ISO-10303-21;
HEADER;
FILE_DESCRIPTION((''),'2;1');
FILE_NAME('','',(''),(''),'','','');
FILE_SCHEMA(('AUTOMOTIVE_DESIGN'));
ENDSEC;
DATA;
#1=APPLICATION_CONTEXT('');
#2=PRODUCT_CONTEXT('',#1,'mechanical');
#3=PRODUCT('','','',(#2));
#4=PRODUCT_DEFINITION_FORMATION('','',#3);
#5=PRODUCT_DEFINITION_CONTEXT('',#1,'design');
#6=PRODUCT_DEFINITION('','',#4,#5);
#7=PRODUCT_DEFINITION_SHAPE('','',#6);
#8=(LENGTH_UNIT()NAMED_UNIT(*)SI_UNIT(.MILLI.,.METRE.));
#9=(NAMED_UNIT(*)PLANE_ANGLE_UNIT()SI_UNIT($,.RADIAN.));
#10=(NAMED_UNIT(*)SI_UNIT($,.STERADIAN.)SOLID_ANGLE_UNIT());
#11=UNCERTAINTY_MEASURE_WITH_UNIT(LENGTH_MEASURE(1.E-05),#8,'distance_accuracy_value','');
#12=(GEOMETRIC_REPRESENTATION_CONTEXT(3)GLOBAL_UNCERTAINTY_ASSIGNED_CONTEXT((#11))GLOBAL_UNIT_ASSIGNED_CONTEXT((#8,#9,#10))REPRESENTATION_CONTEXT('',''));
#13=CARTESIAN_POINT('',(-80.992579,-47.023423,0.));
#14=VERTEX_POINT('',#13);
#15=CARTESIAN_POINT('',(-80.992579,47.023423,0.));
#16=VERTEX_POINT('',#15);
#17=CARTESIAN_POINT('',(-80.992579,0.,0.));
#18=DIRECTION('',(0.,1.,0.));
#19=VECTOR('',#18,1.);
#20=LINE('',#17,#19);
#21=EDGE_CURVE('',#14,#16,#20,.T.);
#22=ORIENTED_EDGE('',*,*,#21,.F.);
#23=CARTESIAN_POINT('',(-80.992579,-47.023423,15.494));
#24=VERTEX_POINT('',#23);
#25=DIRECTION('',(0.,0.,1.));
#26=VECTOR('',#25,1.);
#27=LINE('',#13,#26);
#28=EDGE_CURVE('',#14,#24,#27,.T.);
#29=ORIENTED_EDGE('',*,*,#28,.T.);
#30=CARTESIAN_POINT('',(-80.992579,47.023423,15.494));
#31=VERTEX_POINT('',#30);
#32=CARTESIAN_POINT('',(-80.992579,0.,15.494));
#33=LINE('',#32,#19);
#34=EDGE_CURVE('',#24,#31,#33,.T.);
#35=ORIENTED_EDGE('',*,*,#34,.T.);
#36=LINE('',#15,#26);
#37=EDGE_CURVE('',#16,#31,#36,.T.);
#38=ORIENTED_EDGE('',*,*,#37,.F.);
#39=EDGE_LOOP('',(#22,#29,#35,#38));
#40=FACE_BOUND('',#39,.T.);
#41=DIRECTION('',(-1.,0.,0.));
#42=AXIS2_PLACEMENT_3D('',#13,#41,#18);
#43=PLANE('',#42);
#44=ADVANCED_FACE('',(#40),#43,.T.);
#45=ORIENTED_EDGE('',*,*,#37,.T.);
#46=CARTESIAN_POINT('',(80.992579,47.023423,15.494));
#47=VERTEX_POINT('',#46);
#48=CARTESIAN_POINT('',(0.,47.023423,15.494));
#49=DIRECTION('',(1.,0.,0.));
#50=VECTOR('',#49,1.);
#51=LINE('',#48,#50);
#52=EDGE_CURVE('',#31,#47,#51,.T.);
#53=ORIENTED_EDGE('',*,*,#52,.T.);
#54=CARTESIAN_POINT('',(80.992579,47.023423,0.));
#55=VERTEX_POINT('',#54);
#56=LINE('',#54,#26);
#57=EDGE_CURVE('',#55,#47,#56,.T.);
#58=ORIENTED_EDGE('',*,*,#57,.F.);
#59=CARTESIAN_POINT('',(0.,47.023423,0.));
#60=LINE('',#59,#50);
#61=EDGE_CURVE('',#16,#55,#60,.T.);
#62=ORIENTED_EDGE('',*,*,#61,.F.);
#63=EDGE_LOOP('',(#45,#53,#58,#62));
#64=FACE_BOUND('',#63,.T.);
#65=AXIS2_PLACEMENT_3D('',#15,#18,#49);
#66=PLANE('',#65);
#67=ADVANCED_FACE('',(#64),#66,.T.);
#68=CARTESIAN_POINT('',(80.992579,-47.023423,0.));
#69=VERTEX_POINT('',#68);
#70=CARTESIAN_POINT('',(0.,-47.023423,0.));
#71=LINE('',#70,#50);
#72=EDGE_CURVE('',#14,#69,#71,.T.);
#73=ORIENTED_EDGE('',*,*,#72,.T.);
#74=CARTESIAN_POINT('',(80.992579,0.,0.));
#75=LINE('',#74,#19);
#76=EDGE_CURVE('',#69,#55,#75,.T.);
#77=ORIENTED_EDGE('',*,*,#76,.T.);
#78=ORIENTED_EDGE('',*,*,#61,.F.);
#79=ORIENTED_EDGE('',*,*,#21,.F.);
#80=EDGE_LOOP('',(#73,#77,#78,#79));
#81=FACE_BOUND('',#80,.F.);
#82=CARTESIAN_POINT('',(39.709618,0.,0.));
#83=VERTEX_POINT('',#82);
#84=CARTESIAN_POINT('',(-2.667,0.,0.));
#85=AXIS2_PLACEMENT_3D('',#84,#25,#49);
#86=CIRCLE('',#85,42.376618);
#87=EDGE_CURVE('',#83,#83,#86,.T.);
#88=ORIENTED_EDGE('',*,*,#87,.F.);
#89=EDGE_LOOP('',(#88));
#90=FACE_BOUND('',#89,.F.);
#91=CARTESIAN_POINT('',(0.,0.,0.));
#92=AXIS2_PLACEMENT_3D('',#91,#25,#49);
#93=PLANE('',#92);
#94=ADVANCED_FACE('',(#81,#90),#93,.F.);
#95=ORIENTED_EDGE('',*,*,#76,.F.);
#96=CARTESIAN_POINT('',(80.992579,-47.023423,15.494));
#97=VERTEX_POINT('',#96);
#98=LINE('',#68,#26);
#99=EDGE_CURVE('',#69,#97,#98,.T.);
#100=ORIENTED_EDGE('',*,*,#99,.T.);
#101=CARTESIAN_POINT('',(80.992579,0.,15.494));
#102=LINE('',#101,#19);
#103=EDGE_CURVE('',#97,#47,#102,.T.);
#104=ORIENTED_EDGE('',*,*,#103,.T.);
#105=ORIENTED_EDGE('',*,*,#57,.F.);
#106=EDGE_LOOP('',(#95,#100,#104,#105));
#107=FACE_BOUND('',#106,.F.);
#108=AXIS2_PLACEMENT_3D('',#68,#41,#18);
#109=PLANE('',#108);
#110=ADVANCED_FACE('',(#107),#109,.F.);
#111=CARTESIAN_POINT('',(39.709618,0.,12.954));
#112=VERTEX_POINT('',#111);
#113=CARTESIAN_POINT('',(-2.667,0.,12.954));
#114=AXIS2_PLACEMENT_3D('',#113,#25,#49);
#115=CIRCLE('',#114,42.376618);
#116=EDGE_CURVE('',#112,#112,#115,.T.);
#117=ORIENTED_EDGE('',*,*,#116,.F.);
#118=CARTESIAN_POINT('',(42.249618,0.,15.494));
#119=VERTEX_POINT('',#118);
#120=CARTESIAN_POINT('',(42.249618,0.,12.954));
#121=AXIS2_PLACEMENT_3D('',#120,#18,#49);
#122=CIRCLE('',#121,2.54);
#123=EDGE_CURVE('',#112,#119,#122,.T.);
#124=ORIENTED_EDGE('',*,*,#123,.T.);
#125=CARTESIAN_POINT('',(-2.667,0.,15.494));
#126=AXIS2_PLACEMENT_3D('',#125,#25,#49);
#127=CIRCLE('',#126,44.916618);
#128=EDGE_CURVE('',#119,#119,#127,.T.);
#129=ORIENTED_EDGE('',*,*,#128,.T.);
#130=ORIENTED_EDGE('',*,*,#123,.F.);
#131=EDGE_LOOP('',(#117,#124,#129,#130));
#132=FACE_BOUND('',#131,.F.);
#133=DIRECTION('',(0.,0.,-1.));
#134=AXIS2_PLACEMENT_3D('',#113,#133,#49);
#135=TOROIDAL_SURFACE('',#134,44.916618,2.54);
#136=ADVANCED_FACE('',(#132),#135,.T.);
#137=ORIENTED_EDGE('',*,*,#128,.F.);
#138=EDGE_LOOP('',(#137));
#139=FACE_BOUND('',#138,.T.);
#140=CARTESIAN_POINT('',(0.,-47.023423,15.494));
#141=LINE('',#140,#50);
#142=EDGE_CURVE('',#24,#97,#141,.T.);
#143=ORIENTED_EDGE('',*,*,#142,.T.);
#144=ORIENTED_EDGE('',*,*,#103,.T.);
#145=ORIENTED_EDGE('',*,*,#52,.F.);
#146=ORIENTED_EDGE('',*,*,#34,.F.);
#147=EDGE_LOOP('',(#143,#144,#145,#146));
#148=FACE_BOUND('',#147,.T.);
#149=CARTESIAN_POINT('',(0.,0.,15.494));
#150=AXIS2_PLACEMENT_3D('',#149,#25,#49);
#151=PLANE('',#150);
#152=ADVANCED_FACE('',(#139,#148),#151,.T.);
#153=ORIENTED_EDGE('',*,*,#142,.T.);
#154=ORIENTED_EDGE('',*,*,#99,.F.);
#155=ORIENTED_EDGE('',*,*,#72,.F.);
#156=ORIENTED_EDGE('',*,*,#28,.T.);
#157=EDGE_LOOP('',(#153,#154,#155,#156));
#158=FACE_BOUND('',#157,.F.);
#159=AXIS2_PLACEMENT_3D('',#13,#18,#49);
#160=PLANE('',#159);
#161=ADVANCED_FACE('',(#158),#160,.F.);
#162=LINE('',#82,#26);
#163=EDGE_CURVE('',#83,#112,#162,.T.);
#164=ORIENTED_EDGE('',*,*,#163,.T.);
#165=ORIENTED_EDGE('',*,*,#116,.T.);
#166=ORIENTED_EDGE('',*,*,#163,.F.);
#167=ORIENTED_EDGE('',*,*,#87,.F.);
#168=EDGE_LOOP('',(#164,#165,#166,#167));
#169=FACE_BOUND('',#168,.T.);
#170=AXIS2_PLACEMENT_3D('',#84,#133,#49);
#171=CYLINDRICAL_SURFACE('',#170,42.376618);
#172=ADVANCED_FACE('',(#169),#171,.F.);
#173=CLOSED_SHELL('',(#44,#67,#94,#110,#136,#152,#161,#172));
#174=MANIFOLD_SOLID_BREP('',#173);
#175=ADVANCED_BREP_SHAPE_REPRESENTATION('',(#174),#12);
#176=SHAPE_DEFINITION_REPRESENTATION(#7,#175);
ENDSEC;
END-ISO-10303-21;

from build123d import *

# Parameters (mm, degrees)
F0_W     = 161.985158
F0_H     = 94.046846
F0_R     = 42.376618
F1_DEPTH = 15.494
F2_R     = 2.54


with BuildPart() as f1:
    # F0 (on Top) → F1 (new body)
    with BuildSketch(Plane.XY):
        Rectangle(F0_W, F0_H)
        with Locations((-2.667, 0)):
            Circle(F0_R, mode=Mode.SUBTRACT)
    extrude(amount=F1_DEPTH)

    # F2
    f2_edges = [f1.edges().sort_by_distance(p)[0] for p in [
        (-45.043619, 0, 15.494),
    ]]
    fillet(f2_edges, radius=F2_R)


solid = f1.part
